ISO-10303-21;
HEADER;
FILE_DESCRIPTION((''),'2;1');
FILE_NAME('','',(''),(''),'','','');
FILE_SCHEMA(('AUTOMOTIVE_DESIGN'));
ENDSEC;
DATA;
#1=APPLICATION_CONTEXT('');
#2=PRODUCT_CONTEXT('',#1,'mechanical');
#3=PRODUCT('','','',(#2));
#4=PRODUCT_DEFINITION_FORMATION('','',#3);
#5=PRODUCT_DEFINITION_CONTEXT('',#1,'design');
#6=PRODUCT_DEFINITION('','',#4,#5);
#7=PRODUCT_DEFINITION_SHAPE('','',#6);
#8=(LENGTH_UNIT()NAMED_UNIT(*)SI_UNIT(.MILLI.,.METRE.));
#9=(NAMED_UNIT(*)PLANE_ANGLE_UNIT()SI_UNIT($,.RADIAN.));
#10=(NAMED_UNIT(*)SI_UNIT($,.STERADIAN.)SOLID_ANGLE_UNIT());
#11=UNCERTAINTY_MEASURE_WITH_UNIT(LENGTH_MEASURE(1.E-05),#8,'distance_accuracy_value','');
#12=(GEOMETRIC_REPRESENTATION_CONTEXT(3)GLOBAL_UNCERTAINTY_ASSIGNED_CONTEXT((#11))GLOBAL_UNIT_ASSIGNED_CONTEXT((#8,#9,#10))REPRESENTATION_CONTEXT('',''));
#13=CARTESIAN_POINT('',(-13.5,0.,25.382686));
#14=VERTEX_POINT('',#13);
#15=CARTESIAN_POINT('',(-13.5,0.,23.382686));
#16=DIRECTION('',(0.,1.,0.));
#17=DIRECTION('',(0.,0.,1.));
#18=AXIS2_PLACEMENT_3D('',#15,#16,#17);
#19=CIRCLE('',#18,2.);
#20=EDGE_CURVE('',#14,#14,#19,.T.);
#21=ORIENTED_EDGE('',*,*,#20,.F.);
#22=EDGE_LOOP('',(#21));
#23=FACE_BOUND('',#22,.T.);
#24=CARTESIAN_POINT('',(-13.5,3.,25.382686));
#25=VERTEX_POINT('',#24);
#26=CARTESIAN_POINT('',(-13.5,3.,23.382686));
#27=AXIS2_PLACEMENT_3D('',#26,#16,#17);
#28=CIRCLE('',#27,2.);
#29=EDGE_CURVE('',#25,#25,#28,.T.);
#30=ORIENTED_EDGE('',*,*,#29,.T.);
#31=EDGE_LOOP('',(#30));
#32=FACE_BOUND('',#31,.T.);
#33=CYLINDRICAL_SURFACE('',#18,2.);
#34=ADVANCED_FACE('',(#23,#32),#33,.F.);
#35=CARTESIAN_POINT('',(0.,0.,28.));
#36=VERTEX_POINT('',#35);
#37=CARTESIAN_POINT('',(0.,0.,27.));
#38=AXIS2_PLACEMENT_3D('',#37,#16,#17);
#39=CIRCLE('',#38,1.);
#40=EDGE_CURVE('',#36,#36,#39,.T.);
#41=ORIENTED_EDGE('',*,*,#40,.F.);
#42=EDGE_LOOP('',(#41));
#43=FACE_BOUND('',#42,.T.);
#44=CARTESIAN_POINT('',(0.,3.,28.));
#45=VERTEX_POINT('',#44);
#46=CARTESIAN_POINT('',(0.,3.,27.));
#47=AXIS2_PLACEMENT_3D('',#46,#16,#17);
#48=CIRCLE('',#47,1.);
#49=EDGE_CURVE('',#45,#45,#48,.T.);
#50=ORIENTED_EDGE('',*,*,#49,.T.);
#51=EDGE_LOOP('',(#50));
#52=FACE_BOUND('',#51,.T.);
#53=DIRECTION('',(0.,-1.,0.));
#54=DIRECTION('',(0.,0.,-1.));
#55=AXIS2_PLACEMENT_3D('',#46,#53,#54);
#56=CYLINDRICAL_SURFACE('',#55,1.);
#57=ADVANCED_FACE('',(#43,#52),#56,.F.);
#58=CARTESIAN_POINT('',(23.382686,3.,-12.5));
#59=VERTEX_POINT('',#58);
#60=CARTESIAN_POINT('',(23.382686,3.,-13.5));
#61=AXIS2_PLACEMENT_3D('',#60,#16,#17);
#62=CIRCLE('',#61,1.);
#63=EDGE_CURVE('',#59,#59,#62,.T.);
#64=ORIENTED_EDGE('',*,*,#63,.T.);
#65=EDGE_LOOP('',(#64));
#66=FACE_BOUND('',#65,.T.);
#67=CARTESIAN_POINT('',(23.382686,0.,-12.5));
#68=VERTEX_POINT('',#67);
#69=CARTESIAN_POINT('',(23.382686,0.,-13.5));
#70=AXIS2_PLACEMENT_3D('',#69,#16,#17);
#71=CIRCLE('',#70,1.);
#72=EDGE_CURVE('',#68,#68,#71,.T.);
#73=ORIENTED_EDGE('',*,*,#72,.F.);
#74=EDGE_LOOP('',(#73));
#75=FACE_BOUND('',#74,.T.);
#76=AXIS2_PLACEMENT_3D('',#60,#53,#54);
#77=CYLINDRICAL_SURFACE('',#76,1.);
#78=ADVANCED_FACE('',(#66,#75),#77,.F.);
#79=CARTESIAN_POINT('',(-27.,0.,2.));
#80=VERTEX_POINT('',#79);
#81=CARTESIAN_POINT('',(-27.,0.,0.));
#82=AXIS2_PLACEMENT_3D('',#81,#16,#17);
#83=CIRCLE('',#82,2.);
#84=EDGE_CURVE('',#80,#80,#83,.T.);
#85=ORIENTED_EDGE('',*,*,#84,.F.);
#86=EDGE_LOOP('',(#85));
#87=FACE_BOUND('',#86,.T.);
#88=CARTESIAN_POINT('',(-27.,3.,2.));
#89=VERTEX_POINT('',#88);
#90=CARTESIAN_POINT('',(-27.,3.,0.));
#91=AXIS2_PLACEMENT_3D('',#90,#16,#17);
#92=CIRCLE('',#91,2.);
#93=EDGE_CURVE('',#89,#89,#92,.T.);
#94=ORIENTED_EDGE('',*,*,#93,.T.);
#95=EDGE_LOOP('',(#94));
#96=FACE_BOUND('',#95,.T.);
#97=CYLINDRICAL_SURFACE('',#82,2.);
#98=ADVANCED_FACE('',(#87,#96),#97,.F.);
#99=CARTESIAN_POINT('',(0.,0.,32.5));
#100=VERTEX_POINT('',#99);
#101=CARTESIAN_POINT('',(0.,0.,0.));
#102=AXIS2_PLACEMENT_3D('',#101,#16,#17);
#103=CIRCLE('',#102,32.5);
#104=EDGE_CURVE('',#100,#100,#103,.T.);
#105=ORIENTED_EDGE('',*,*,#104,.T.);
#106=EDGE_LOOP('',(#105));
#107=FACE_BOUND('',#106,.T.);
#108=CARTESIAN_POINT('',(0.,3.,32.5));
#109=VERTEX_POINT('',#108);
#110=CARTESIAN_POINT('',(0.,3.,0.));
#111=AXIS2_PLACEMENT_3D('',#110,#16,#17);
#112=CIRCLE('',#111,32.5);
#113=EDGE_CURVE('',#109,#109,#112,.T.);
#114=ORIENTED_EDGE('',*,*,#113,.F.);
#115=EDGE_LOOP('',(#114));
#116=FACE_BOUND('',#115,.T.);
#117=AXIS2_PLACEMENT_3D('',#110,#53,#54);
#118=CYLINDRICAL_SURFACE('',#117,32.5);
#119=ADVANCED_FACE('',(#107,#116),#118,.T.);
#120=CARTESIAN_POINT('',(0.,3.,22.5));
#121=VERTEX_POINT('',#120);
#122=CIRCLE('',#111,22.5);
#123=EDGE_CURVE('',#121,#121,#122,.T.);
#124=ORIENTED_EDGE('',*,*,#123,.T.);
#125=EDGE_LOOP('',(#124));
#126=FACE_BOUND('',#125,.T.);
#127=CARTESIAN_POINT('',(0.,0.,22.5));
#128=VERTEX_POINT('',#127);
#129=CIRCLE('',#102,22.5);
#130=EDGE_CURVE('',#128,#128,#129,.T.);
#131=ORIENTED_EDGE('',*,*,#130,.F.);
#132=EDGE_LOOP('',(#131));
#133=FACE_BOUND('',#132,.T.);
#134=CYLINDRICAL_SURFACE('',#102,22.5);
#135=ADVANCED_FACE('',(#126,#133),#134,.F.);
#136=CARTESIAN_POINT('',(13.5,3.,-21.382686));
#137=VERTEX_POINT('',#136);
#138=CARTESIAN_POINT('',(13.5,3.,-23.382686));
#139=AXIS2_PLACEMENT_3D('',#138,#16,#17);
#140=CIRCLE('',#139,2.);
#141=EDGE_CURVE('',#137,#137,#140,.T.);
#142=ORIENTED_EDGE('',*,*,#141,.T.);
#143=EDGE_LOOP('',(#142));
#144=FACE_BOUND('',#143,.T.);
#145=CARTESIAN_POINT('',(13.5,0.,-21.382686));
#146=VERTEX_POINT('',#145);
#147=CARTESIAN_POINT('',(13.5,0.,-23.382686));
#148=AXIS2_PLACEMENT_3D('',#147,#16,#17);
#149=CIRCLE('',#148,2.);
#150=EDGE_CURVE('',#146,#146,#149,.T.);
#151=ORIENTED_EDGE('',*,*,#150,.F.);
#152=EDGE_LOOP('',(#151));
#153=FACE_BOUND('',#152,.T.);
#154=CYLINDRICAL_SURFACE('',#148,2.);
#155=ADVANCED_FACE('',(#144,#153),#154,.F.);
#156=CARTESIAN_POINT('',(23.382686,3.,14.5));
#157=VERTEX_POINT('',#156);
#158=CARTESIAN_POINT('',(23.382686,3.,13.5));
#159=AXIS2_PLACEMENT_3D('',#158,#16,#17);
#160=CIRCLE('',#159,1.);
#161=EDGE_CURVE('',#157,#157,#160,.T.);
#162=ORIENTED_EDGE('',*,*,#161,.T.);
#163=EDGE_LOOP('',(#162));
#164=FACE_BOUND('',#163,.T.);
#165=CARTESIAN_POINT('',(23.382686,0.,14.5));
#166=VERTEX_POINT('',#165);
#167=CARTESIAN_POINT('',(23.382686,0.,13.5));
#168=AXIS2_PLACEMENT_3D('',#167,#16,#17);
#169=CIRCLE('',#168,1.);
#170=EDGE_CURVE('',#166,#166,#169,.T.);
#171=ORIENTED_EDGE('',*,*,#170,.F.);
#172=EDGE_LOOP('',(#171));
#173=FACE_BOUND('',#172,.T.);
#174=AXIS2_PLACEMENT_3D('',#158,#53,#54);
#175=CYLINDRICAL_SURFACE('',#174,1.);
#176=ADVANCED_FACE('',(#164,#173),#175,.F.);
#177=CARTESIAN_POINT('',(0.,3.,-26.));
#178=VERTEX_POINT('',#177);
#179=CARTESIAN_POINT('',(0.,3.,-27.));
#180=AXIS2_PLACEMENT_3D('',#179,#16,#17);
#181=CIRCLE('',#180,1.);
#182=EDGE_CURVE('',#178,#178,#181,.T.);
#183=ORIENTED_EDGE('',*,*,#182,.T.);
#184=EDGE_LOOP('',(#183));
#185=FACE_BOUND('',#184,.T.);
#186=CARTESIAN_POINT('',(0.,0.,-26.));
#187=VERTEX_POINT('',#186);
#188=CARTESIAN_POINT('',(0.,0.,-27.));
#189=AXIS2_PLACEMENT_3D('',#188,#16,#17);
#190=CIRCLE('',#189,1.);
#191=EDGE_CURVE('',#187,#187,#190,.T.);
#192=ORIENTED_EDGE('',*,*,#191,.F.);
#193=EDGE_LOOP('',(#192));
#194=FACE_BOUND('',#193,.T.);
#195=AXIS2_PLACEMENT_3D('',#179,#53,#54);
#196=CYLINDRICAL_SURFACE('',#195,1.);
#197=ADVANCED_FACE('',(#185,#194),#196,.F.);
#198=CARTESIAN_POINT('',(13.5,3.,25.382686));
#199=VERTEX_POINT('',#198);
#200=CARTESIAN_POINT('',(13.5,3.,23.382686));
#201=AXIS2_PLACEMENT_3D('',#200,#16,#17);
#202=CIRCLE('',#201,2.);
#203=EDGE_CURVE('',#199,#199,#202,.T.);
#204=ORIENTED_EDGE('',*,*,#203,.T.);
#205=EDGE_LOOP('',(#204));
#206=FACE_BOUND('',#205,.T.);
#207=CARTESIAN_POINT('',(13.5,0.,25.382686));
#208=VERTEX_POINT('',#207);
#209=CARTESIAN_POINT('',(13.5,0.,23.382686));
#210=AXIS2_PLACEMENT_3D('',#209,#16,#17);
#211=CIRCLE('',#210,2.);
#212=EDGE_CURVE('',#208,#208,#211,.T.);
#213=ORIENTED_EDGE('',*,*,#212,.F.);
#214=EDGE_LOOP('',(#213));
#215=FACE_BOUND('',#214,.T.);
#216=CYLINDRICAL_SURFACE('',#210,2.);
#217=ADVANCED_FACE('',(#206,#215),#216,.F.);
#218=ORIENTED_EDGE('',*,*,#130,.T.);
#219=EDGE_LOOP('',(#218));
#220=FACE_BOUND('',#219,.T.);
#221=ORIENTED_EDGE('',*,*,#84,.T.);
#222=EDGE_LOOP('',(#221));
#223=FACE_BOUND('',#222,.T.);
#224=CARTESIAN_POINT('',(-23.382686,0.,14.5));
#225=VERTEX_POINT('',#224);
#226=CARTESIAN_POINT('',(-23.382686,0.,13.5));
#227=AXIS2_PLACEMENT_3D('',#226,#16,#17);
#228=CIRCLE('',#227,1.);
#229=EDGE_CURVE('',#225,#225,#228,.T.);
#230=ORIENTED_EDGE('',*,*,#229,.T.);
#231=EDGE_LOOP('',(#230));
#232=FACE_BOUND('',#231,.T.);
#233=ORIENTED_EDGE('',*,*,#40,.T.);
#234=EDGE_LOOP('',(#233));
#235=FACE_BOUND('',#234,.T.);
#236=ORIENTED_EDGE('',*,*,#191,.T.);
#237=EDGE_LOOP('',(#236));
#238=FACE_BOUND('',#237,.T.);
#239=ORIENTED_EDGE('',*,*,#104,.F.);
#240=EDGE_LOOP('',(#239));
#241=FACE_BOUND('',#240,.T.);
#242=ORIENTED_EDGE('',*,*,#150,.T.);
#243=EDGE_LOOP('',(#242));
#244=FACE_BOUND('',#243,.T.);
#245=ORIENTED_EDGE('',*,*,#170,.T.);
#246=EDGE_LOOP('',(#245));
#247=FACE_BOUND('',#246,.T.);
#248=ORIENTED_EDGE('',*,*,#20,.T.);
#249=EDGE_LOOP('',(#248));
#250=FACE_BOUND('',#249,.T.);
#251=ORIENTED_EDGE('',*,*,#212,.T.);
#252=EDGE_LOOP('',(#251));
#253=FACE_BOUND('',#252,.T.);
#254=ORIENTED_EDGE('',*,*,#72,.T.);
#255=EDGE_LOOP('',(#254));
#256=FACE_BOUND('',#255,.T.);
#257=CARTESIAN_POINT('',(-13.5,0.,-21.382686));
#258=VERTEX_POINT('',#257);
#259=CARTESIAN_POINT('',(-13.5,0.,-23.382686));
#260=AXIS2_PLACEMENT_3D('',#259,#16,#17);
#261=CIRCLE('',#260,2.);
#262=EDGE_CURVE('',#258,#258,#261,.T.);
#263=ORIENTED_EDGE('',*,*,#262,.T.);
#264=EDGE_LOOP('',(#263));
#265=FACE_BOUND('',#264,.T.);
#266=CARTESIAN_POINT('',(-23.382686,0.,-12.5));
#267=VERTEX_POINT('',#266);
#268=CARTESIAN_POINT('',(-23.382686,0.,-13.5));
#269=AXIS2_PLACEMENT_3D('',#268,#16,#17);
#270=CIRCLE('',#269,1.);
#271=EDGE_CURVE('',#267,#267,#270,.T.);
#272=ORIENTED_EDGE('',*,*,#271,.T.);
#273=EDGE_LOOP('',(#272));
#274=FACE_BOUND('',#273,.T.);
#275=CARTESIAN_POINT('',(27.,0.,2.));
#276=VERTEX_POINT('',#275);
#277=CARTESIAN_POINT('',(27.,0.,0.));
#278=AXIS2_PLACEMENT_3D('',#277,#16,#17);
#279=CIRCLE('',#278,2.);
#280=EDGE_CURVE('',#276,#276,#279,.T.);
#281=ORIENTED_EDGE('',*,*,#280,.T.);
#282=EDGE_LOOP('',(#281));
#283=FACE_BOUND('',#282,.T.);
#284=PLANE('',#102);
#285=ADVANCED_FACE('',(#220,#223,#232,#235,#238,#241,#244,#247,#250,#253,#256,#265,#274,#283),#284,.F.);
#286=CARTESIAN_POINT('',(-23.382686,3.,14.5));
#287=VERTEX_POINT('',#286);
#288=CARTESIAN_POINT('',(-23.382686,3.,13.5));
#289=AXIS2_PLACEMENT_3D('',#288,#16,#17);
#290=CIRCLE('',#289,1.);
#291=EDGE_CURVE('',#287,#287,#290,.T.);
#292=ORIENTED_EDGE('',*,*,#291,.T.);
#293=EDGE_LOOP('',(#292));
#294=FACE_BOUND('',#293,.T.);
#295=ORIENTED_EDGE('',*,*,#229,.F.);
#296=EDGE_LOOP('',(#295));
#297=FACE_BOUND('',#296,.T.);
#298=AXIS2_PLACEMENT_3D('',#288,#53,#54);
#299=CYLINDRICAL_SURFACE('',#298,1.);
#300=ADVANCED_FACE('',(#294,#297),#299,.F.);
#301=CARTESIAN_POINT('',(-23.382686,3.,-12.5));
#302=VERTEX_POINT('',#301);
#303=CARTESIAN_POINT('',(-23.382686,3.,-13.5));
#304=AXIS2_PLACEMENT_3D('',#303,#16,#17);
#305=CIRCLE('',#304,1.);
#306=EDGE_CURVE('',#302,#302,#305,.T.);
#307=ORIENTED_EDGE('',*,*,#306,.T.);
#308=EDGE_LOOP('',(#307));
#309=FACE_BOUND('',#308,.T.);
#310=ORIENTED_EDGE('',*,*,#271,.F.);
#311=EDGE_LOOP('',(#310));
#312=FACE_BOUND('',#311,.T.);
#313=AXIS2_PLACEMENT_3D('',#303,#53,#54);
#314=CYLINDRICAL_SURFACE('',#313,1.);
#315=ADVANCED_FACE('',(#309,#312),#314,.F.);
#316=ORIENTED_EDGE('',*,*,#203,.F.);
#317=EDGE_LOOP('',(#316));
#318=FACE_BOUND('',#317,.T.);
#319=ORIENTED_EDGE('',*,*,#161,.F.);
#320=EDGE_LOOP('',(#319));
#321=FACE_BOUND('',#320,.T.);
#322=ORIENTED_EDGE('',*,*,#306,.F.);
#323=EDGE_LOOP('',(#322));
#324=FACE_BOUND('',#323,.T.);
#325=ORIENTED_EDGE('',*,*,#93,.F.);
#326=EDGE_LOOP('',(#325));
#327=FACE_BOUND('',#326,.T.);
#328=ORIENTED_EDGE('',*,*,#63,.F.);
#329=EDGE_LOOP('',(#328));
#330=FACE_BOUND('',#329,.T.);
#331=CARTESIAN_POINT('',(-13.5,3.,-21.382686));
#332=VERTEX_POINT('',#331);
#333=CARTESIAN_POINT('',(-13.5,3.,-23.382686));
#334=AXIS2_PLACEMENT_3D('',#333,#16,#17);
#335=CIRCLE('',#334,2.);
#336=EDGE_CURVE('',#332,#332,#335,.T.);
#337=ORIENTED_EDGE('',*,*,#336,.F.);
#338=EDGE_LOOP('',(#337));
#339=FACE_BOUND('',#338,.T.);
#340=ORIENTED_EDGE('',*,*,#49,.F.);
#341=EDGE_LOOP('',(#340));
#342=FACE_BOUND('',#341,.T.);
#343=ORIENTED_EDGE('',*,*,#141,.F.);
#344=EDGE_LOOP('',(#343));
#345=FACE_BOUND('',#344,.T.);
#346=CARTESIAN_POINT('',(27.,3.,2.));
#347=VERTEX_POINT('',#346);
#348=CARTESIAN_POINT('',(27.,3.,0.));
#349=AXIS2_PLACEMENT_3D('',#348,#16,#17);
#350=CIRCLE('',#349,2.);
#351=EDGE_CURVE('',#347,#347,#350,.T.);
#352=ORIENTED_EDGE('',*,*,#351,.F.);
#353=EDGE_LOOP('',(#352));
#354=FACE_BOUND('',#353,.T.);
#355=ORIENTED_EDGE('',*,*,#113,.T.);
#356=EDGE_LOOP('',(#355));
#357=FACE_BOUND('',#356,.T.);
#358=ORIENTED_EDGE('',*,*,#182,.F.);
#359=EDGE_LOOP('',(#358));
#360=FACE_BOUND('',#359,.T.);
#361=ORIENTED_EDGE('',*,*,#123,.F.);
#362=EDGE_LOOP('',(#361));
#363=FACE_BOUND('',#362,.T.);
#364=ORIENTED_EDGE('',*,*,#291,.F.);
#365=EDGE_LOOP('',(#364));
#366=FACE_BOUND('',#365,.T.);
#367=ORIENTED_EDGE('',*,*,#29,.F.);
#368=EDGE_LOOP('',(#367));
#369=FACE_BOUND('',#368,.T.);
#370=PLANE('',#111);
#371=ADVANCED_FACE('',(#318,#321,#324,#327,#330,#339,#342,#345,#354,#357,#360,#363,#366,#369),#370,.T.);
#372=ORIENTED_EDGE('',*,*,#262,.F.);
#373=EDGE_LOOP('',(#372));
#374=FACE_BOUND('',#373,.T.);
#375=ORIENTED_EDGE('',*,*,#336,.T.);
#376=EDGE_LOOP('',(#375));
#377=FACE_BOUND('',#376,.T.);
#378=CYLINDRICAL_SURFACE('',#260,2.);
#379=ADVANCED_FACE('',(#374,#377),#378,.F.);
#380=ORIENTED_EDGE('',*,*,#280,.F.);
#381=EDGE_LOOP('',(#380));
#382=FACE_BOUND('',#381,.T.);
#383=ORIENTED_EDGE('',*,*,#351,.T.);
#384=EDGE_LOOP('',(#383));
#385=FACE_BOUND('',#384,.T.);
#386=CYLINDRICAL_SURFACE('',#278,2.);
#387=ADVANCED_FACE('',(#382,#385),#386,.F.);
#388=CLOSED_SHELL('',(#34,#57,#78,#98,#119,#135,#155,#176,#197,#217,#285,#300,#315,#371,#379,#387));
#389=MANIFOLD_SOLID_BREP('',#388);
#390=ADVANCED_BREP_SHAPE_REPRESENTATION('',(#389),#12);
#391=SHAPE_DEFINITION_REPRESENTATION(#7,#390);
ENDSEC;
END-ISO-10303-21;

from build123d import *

# Parameters (mm, degrees)
SKETCH1_R           = 32.5
SKETCH1_R_2         = 1
BOSS_EXTRUDE1_DEPTH = 3
SKETCH2_R           = 22.5
SKETCH2_R_2         = 2
CUT_EXTRUDE1_DEPTH  = 47.059743812


with BuildPart() as part:
    # Sketch1 → Boss-Extrude1 (new body)
    with BuildSketch(Plane(origin=(0, 0, 0), x_dir=(1, 0, 0), z_dir=(0, 1, 0))):
        with Locations(Location((0, 0, 0), (0, 0, 270))):
            Circle(SKETCH1_R)
        with Locations(Location((0, 27, 0), (0, 0, 270))):
            Circle(SKETCH1_R_2, mode=Mode.SUBTRACT)
        with Locations(Location((23.382685902, 13.5, 0), (0, 0, 270))):
            Circle(SKETCH1_R_2, mode=Mode.SUBTRACT)
        with Locations(Location((23.382685902, -13.5, 0), (0, 0, 270))):
            Circle(SKETCH1_R_2, mode=Mode.SUBTRACT)
        with Locations(Location((0, -27, 0), (0, 0, 270))):
            Circle(SKETCH1_R_2, mode=Mode.SUBTRACT)
        with Locations(Location((-23.382685902, -13.5, 0), (0, 0, 270))):
            Circle(SKETCH1_R_2, mode=Mode.SUBTRACT)
        with Locations(Location((-23.382685902, 13.5, 0), (0, 0, 270))):
            Circle(SKETCH1_R_2, mode=Mode.SUBTRACT)
    extrude(amount=BOSS_EXTRUDE1_DEPTH)

    # Sketch2 → Cut-Extrude1 (cut, through all)
    with BuildSketch(Plane(origin=(0, 3, 0), x_dir=(1, 0, 0), z_dir=(0, 1, 0))):
        with Locations(Location((0, 0, 0), (0, 0, 270))):
            Circle(SKETCH2_R)
        with Locations(Location((-13.5, 23.382685902, 0), (0, 0, 270))):
            Circle(SKETCH2_R_2)
        with Locations(Location((13.5, 23.382685902, 0), (0, 0, 270))):
            Circle(SKETCH2_R_2)
        with Locations(Location((27, 0, 0), (0, 0, 270))):
            Circle(SKETCH2_R_2)
        with Locations(Location((13.5, -23.382685902, 0), (0, 0, 270))):
            Circle(SKETCH2_R_2)
        with Locations(Location((-13.5, -23.382685902, 0), (0, 0, 270))):
            Circle(SKETCH2_R_2)
        with Locations(Location((-27, 0, 0), (0, 0, 270))):
            Circle(SKETCH2_R_2)
    extrude(amount=-CUT_EXTRUDE1_DEPTH, mode=Mode.SUBTRACT)


solid = part.part
